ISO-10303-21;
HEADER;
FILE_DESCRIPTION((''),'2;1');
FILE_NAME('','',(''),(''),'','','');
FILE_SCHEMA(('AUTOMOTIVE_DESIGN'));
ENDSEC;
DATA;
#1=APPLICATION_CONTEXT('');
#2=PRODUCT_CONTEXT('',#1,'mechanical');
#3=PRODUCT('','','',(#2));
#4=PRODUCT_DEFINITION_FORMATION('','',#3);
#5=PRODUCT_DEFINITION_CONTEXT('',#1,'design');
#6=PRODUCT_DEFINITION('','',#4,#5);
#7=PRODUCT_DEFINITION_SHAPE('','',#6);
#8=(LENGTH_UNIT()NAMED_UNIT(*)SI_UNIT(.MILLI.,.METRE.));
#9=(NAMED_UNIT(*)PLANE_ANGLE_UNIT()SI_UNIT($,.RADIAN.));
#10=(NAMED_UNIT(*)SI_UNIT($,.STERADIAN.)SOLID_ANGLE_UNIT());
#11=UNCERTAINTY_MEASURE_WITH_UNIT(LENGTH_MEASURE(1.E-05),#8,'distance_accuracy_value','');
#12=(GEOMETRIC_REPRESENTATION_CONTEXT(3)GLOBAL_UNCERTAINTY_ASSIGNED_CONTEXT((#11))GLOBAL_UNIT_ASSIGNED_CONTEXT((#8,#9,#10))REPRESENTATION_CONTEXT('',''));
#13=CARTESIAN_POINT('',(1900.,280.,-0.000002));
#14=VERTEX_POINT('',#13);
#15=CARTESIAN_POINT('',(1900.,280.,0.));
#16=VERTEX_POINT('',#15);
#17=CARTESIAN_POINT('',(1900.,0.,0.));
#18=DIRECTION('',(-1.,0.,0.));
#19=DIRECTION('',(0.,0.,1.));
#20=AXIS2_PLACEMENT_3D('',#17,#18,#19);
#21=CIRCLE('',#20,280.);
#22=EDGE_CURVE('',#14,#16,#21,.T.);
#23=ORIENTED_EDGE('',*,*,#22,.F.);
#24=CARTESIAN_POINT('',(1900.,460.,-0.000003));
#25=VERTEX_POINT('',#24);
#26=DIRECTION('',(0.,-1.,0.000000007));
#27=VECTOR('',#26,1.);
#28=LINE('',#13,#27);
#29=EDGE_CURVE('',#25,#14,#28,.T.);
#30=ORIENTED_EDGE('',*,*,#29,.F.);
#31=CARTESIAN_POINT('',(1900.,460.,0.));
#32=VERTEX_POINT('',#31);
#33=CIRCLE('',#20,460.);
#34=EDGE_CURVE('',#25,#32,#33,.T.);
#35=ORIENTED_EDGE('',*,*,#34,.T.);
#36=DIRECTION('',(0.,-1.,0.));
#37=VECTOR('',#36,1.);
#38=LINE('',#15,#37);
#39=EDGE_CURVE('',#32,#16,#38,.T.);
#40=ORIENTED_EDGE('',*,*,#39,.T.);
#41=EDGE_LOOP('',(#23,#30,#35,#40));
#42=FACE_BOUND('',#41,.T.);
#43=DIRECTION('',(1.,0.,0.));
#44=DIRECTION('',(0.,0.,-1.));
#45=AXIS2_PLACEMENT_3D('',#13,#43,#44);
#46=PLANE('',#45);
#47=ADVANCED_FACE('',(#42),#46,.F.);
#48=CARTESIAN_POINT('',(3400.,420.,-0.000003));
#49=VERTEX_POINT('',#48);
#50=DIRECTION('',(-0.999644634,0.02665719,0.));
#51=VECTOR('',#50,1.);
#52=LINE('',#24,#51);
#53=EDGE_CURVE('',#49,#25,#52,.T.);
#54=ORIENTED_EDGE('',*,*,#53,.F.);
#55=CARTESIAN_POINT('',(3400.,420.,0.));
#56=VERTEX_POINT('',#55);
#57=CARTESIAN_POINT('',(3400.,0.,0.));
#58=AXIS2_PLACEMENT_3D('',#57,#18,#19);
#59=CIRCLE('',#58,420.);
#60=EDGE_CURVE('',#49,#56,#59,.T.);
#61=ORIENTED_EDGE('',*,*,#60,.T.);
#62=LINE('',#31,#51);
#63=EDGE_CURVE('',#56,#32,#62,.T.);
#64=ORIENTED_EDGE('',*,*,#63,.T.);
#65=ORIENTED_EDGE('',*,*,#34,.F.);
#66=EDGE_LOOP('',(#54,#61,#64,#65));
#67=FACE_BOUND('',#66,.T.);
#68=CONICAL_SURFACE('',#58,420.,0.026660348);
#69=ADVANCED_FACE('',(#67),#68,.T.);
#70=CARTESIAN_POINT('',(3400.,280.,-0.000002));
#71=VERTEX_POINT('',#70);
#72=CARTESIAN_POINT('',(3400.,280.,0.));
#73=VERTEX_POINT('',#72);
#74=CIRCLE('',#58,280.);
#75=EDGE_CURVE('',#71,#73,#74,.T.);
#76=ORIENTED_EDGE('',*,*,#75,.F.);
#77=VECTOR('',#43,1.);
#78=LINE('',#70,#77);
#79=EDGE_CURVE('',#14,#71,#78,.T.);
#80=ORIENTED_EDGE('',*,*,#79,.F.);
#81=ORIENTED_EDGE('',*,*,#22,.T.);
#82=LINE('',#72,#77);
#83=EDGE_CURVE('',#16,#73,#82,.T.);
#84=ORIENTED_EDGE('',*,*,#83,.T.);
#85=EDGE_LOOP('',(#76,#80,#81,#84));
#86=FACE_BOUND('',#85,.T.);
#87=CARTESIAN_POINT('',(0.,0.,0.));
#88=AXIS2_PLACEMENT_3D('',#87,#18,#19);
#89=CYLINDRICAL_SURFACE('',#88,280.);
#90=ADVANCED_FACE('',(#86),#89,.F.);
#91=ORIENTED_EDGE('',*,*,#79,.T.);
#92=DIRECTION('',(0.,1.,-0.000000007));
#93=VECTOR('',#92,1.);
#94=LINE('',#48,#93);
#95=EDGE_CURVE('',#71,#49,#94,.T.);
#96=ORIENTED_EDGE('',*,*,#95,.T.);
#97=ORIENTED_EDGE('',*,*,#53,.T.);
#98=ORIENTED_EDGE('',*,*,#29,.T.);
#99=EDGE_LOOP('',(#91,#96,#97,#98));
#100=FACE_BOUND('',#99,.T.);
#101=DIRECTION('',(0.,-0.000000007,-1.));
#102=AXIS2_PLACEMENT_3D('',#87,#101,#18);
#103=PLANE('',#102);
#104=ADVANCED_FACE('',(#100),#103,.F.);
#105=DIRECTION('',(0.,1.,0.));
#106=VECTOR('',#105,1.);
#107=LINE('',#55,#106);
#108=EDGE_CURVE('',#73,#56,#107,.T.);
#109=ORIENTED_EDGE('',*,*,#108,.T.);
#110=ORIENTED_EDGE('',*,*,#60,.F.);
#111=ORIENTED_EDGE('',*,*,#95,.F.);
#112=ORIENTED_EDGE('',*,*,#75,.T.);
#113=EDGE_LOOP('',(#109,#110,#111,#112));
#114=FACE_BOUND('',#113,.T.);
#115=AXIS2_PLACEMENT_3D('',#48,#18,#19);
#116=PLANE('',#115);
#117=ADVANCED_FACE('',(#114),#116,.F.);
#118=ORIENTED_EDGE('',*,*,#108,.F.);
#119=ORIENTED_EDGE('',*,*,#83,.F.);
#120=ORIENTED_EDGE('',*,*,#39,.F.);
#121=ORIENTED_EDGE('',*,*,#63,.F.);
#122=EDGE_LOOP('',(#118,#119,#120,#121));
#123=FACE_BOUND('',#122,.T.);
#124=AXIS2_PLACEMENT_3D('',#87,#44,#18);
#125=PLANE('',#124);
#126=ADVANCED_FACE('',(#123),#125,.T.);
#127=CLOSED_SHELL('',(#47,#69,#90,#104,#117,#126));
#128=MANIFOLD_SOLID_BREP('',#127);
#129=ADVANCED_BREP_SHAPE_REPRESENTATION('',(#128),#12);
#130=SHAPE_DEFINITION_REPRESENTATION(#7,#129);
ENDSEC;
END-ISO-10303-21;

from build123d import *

# Parameters (mm, degrees)
REVOLVE1_ANGLE = 359.999999589


with BuildPart() as part:
    # Sketch1 → Revolve1 (revolve)
    with BuildSketch(Plane.XY):
        Polygon((1900, 280), (1900, 460), (3400, 420), (3400, 280), align=None)
    revolve(axis=Axis((0, 0, 0), (1, 0, 0)), revolution_arc=REVOLVE1_ANGLE)


solid = part.part
